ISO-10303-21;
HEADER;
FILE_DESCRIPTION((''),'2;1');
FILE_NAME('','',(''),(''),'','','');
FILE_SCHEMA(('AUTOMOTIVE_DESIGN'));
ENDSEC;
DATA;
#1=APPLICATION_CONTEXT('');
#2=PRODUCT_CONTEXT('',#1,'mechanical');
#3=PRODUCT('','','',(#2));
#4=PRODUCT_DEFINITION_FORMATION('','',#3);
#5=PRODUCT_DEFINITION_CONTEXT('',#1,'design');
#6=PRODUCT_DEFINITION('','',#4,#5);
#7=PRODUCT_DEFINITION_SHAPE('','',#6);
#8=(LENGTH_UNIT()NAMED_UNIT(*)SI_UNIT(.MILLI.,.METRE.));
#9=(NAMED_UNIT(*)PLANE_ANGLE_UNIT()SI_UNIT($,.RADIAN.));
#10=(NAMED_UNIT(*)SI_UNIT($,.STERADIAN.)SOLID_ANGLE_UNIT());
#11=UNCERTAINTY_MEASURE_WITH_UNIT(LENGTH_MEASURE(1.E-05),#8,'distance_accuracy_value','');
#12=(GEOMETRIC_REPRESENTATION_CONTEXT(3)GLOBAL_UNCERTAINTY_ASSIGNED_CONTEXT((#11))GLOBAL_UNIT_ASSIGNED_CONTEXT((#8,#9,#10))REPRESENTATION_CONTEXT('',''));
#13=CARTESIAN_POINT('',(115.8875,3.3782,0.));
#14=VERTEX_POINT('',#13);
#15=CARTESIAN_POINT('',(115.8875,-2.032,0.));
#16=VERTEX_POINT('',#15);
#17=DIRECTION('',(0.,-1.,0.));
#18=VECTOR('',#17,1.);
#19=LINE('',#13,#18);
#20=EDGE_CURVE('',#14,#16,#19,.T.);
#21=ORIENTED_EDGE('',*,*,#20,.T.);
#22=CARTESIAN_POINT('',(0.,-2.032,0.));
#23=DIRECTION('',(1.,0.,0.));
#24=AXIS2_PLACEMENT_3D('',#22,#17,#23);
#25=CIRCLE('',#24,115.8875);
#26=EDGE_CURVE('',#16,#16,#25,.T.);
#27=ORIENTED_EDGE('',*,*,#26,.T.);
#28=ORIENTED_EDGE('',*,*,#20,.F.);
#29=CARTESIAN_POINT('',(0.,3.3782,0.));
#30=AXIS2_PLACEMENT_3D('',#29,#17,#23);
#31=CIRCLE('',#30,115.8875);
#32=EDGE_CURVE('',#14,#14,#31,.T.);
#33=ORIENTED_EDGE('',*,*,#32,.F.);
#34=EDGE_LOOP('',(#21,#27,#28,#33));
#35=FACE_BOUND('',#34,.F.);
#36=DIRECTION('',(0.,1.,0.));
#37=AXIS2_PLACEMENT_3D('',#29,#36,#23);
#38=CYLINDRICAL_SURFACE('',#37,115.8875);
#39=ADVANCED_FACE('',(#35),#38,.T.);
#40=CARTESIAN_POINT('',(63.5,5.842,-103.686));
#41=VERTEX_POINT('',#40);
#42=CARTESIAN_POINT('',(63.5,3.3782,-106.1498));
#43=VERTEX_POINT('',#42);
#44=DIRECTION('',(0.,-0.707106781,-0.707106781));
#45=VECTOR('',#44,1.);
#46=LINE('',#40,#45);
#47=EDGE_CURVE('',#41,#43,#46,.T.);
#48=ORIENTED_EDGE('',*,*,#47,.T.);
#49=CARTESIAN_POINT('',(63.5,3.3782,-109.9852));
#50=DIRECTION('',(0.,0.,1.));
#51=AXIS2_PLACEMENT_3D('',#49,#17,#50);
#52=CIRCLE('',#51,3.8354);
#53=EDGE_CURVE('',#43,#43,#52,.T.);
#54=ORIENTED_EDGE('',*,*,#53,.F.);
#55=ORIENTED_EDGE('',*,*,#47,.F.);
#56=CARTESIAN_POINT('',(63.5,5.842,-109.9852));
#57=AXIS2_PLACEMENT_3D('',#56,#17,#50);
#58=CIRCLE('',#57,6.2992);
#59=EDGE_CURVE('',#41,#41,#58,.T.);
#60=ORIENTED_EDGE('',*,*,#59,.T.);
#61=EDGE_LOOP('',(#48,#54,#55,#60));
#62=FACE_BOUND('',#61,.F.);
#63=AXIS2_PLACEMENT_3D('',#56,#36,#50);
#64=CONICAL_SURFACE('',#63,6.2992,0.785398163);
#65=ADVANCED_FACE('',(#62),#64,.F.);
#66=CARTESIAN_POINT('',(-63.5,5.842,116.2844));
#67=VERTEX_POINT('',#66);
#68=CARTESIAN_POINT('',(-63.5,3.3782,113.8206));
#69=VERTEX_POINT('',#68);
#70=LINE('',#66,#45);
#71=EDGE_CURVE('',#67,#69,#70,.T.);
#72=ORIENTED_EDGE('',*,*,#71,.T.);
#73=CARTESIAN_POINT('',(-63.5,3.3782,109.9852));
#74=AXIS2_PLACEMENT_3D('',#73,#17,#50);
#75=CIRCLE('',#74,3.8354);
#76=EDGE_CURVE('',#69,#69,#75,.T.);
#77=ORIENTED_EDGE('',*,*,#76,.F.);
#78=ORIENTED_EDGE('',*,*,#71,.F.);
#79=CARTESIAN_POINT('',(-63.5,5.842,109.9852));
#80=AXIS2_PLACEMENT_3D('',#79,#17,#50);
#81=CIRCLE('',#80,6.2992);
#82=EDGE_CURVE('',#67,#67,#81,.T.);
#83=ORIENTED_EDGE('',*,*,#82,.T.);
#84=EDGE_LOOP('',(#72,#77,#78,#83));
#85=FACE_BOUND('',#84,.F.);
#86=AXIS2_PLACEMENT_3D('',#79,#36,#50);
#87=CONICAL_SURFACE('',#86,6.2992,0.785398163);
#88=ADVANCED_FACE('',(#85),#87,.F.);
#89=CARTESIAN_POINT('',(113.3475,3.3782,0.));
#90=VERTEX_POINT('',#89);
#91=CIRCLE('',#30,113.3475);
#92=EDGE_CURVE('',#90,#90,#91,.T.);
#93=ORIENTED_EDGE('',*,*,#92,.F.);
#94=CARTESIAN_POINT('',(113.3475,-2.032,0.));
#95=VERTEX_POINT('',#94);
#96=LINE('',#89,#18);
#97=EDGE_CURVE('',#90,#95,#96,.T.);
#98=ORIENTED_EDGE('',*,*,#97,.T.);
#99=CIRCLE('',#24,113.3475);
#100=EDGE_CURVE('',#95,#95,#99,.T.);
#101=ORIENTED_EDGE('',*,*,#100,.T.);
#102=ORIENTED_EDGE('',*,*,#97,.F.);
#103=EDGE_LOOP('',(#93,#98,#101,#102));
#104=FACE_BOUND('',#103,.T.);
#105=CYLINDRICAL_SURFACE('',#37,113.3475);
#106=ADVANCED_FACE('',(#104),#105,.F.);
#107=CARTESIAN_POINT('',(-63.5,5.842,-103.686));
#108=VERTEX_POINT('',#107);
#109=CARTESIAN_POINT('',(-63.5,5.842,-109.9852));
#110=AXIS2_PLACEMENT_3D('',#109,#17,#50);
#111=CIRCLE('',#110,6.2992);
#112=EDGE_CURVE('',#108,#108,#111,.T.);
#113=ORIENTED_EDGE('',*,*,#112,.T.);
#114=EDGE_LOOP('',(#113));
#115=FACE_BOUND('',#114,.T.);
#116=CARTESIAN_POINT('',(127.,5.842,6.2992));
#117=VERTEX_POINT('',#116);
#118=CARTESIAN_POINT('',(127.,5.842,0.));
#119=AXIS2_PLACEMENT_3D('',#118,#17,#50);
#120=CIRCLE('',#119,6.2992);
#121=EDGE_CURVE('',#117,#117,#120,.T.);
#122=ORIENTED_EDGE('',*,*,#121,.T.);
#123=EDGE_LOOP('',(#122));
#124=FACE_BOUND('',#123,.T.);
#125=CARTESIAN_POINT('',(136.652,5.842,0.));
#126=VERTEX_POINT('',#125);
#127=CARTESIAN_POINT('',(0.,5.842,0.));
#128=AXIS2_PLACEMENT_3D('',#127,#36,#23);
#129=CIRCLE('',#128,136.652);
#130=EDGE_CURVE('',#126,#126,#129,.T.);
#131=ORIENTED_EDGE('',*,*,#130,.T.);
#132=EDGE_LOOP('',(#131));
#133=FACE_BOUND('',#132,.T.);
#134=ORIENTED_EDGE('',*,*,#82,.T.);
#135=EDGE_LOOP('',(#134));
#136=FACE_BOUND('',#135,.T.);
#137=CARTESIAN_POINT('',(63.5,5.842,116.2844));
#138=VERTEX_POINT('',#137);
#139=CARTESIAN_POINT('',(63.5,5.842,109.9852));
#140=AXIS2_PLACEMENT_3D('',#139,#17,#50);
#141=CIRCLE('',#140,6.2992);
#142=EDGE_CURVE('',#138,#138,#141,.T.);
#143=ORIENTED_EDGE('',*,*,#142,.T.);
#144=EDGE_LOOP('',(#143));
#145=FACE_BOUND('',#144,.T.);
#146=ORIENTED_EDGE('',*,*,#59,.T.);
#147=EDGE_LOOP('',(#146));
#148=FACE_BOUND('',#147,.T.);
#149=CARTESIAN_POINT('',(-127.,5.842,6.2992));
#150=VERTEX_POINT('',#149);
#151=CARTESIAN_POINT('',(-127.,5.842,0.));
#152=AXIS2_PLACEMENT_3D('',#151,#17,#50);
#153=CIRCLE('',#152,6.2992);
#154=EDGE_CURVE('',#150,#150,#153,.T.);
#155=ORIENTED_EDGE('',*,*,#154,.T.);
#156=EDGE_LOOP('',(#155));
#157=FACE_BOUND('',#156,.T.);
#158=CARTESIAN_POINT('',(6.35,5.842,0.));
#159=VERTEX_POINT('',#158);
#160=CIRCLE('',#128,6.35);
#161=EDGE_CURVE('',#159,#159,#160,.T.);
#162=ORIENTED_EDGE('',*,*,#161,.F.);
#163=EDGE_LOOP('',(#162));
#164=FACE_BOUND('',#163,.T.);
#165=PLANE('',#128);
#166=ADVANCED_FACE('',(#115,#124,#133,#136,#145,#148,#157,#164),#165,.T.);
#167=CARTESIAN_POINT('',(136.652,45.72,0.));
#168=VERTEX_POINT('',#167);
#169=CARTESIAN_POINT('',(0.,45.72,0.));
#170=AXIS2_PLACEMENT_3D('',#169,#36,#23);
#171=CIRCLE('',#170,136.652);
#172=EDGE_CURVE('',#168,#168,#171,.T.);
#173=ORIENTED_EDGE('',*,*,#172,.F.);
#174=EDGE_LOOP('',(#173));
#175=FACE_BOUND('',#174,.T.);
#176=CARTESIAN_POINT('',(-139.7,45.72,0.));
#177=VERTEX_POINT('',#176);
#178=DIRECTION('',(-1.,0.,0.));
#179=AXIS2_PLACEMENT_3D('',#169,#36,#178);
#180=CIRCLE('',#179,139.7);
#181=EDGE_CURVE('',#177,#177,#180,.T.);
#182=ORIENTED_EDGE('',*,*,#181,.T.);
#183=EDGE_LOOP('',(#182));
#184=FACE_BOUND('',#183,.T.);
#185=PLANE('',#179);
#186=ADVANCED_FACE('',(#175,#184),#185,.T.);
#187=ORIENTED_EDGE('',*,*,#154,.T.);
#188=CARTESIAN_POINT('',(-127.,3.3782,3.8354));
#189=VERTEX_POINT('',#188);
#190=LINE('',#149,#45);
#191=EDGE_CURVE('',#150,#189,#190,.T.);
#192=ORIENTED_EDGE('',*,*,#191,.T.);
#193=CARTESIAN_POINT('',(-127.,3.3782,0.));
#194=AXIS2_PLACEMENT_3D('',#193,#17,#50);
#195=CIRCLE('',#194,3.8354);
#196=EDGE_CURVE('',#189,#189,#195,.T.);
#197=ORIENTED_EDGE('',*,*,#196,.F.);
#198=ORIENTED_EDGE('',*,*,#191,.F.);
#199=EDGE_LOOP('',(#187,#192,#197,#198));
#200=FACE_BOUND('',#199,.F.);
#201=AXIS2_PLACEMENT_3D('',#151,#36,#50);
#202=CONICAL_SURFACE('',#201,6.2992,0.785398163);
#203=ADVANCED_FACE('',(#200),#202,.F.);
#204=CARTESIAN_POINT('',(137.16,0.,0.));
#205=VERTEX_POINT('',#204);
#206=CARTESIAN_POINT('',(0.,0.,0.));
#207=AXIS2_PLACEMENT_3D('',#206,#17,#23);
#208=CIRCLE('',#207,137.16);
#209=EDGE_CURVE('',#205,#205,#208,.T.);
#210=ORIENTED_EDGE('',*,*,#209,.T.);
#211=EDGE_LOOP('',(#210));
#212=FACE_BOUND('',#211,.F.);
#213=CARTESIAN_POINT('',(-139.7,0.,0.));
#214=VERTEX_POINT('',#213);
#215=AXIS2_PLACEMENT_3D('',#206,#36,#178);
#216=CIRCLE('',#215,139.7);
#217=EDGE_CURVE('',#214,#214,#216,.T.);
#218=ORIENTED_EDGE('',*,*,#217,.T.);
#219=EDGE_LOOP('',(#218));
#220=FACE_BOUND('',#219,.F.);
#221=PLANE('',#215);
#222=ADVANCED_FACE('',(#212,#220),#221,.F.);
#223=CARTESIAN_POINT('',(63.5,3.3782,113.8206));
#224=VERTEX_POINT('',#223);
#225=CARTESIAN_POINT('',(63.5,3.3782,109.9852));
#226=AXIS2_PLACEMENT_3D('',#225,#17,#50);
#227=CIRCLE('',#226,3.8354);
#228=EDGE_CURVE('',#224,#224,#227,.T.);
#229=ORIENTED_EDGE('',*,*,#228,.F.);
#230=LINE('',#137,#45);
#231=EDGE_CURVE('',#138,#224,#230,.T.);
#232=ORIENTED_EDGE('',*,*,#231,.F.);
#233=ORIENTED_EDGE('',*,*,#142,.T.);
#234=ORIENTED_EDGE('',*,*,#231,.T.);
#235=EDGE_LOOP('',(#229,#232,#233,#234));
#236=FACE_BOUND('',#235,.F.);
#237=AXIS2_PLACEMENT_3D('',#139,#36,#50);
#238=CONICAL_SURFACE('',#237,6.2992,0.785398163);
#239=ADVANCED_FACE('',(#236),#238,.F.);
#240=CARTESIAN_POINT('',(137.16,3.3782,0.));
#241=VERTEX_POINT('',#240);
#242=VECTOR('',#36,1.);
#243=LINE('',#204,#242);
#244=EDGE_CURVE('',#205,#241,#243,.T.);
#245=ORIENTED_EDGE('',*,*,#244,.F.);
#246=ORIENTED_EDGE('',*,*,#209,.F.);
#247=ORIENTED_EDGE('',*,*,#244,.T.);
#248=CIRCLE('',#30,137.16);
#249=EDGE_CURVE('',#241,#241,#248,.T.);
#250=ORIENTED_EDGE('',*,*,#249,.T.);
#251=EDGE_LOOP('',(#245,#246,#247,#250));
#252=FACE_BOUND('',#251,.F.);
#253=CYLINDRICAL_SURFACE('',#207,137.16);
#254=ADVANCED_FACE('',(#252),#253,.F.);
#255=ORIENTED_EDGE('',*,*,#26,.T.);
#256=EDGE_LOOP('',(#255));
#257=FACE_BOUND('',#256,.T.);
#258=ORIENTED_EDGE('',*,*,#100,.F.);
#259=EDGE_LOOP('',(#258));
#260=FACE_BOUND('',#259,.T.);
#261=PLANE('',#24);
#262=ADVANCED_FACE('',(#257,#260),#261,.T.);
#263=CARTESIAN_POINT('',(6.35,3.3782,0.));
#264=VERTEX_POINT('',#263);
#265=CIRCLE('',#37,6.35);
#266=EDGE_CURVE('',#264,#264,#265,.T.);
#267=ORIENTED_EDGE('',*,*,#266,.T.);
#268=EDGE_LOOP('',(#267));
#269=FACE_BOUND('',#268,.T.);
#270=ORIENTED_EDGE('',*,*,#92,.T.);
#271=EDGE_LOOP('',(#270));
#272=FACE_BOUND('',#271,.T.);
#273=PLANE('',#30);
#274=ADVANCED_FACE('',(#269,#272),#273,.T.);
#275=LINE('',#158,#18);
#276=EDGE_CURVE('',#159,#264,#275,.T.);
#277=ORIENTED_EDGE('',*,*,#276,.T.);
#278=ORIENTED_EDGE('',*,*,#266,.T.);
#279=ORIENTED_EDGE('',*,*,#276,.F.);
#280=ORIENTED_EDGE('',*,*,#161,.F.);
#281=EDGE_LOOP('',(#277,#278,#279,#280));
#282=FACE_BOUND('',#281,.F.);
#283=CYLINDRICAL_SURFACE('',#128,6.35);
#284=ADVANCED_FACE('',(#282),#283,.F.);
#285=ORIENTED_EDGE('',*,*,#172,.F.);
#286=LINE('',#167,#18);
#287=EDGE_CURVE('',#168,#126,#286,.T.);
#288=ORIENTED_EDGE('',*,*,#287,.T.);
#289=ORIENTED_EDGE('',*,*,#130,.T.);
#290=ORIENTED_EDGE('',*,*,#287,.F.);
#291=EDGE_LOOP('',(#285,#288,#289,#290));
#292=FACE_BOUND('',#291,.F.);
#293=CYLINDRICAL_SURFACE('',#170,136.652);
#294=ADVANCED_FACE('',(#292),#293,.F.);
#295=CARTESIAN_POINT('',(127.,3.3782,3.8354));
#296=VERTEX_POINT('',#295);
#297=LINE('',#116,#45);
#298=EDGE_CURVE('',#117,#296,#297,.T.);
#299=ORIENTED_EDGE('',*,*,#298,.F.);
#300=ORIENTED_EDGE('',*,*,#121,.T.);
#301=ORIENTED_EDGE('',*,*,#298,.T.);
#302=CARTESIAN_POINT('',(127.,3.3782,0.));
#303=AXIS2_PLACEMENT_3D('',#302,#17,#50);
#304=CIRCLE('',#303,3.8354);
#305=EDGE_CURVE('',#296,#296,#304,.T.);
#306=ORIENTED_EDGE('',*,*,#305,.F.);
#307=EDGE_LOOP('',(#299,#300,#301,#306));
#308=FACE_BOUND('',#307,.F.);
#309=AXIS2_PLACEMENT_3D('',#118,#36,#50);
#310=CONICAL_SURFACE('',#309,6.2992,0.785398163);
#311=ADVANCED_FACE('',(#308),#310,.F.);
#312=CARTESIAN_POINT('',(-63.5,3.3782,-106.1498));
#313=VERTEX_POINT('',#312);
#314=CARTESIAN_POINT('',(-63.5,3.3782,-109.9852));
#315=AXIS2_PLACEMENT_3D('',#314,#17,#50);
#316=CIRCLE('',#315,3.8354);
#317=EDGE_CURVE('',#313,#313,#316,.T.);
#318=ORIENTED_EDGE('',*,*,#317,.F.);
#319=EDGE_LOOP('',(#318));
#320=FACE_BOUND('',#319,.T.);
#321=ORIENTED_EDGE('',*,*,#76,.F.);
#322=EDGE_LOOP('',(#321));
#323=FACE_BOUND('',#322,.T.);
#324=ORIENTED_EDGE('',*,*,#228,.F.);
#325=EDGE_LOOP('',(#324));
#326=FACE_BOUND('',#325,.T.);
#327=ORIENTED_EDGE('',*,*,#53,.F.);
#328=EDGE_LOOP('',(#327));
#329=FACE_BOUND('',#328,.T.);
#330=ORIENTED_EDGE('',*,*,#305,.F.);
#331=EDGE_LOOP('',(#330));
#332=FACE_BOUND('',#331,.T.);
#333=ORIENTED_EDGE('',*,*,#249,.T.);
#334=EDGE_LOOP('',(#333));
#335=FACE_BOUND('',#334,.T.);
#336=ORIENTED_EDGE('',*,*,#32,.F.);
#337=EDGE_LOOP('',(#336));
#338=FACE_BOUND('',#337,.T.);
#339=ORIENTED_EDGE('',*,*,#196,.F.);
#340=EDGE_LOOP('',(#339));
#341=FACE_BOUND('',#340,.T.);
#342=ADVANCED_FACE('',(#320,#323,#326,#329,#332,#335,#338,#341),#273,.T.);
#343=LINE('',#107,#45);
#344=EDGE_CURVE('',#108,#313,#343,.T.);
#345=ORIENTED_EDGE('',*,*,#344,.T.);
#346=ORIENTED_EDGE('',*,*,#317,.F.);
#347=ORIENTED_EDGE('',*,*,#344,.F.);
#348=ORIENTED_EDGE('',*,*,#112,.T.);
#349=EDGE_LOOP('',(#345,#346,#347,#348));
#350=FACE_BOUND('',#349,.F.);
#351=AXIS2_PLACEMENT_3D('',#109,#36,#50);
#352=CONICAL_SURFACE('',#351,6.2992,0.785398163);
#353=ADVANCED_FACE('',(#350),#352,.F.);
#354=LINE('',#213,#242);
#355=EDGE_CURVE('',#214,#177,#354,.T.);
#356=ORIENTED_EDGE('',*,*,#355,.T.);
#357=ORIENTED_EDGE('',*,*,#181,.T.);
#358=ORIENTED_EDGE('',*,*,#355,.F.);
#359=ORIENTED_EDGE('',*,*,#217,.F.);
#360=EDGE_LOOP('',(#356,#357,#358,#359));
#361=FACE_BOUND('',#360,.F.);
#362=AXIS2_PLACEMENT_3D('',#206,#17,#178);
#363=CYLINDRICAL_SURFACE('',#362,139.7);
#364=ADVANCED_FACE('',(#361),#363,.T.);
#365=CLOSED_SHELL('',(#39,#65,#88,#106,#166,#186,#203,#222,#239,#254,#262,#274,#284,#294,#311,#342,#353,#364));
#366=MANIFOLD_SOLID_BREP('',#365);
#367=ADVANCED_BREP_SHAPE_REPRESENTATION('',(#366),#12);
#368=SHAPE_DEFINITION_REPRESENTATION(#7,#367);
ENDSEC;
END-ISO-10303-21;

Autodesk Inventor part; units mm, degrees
ref_plane "YZ Plane" through (0, 0, 0) normal (1, 0, 0) x (0, 1, 0)
ref_plane "XZ Plane" through (0, 0, 0) normal (0, 1, 0) x (-1, 0, 0)
ref_plane "XY Plane" through (0, 0, 0) normal (0, 0, 1) x (1, 0, 0)
sketch "Sketch1" plane through (0, 0, 0) normal (0, 1, 0) x (-1, 0, 0)
  circle A0 centre (0, 0) radius 139.7
  dimension "d0" = 279.4
extrude "Extrusion1" add sketch "Sketch1" along normal blind 45.72
sketch "Sketch3" plane through (0, 45.72, 0) normal (0, 1, 0) x (1, 0, 0)
  circle A0 centre (0, 0) radius 136.652
  dimension "d7" = 273.304
extrude "Extrusion3" cut sketch "Sketch3" against normal blind 39.878
sketch "Sketch4" plane through (0, 0, 0) normal (0, -1, 0) x (1, 0, 0)
  circle A0 centre (0, 0) radius 137.16
  dimension "d10" = 274.32
extrude "Extrusion5" cut sketch "Sketch4" against normal blind 3.3782
sketch "Sketch5" plane through (0, 3.3782, 0) normal (0, -1, 0) x (1, 0, 0)
  circle A0 centre (0, 0) radius 115.8875
  circle A1 centre (0, 0) radius 113.3475
  dimension "d15" = 231.775
  dimension "d16" = 226.695
extrude "Extrusion6" add sketch "Sketch5" along normal blind 5.4102
sketch "Sketch6" plane through (0, 5.842, 0) normal (0, 1, 0) x (1, 0, 0)
  circle A0 centre (0, 0) radius 6.35
  dimension "d19" = 12.7
extrude "Extrusion7" cut sketch "Sketch6" against normal through all
sketch "Sketch7" plane through (0, 5.842, 0) normal (0, -1, 0) x (1, 0, 0)
  point P0 (0, 0)
  point P1 (127, 0)
  point P2 (63.5, 109.9852)
  point P3 (-63.5, 109.9852)
  point P4 (-127, 0)
  point P5 (-63.5, -109.9852)
  point P6 (63.5, -109.9852)
  dimension "d22" = 127
  dimension "d25" = 360
hole "Hole1" at (127, 5.842, 0) at (63.5, 5.842, 109.9852) at (-63.5, 5.842, 109.9852) at (-127, 5.842, 0) at (-63.5, 5.842, -109.9852) at (63.5, 5.842, -109.9852) direction (0, -1, 0) diameter 6.604 end through all countersink diameter 12.5984 countersink angle 90 clearance for "Flat Head Machine Screw" size "M6" standard "Ansi Metric M Profile"
sketch "Sketch8" plane through (0, 3.3782, 0) normal (0, -1, 0) x (1, 0, 0)
  point P0 (0, 0)
properties part number "bowl"
